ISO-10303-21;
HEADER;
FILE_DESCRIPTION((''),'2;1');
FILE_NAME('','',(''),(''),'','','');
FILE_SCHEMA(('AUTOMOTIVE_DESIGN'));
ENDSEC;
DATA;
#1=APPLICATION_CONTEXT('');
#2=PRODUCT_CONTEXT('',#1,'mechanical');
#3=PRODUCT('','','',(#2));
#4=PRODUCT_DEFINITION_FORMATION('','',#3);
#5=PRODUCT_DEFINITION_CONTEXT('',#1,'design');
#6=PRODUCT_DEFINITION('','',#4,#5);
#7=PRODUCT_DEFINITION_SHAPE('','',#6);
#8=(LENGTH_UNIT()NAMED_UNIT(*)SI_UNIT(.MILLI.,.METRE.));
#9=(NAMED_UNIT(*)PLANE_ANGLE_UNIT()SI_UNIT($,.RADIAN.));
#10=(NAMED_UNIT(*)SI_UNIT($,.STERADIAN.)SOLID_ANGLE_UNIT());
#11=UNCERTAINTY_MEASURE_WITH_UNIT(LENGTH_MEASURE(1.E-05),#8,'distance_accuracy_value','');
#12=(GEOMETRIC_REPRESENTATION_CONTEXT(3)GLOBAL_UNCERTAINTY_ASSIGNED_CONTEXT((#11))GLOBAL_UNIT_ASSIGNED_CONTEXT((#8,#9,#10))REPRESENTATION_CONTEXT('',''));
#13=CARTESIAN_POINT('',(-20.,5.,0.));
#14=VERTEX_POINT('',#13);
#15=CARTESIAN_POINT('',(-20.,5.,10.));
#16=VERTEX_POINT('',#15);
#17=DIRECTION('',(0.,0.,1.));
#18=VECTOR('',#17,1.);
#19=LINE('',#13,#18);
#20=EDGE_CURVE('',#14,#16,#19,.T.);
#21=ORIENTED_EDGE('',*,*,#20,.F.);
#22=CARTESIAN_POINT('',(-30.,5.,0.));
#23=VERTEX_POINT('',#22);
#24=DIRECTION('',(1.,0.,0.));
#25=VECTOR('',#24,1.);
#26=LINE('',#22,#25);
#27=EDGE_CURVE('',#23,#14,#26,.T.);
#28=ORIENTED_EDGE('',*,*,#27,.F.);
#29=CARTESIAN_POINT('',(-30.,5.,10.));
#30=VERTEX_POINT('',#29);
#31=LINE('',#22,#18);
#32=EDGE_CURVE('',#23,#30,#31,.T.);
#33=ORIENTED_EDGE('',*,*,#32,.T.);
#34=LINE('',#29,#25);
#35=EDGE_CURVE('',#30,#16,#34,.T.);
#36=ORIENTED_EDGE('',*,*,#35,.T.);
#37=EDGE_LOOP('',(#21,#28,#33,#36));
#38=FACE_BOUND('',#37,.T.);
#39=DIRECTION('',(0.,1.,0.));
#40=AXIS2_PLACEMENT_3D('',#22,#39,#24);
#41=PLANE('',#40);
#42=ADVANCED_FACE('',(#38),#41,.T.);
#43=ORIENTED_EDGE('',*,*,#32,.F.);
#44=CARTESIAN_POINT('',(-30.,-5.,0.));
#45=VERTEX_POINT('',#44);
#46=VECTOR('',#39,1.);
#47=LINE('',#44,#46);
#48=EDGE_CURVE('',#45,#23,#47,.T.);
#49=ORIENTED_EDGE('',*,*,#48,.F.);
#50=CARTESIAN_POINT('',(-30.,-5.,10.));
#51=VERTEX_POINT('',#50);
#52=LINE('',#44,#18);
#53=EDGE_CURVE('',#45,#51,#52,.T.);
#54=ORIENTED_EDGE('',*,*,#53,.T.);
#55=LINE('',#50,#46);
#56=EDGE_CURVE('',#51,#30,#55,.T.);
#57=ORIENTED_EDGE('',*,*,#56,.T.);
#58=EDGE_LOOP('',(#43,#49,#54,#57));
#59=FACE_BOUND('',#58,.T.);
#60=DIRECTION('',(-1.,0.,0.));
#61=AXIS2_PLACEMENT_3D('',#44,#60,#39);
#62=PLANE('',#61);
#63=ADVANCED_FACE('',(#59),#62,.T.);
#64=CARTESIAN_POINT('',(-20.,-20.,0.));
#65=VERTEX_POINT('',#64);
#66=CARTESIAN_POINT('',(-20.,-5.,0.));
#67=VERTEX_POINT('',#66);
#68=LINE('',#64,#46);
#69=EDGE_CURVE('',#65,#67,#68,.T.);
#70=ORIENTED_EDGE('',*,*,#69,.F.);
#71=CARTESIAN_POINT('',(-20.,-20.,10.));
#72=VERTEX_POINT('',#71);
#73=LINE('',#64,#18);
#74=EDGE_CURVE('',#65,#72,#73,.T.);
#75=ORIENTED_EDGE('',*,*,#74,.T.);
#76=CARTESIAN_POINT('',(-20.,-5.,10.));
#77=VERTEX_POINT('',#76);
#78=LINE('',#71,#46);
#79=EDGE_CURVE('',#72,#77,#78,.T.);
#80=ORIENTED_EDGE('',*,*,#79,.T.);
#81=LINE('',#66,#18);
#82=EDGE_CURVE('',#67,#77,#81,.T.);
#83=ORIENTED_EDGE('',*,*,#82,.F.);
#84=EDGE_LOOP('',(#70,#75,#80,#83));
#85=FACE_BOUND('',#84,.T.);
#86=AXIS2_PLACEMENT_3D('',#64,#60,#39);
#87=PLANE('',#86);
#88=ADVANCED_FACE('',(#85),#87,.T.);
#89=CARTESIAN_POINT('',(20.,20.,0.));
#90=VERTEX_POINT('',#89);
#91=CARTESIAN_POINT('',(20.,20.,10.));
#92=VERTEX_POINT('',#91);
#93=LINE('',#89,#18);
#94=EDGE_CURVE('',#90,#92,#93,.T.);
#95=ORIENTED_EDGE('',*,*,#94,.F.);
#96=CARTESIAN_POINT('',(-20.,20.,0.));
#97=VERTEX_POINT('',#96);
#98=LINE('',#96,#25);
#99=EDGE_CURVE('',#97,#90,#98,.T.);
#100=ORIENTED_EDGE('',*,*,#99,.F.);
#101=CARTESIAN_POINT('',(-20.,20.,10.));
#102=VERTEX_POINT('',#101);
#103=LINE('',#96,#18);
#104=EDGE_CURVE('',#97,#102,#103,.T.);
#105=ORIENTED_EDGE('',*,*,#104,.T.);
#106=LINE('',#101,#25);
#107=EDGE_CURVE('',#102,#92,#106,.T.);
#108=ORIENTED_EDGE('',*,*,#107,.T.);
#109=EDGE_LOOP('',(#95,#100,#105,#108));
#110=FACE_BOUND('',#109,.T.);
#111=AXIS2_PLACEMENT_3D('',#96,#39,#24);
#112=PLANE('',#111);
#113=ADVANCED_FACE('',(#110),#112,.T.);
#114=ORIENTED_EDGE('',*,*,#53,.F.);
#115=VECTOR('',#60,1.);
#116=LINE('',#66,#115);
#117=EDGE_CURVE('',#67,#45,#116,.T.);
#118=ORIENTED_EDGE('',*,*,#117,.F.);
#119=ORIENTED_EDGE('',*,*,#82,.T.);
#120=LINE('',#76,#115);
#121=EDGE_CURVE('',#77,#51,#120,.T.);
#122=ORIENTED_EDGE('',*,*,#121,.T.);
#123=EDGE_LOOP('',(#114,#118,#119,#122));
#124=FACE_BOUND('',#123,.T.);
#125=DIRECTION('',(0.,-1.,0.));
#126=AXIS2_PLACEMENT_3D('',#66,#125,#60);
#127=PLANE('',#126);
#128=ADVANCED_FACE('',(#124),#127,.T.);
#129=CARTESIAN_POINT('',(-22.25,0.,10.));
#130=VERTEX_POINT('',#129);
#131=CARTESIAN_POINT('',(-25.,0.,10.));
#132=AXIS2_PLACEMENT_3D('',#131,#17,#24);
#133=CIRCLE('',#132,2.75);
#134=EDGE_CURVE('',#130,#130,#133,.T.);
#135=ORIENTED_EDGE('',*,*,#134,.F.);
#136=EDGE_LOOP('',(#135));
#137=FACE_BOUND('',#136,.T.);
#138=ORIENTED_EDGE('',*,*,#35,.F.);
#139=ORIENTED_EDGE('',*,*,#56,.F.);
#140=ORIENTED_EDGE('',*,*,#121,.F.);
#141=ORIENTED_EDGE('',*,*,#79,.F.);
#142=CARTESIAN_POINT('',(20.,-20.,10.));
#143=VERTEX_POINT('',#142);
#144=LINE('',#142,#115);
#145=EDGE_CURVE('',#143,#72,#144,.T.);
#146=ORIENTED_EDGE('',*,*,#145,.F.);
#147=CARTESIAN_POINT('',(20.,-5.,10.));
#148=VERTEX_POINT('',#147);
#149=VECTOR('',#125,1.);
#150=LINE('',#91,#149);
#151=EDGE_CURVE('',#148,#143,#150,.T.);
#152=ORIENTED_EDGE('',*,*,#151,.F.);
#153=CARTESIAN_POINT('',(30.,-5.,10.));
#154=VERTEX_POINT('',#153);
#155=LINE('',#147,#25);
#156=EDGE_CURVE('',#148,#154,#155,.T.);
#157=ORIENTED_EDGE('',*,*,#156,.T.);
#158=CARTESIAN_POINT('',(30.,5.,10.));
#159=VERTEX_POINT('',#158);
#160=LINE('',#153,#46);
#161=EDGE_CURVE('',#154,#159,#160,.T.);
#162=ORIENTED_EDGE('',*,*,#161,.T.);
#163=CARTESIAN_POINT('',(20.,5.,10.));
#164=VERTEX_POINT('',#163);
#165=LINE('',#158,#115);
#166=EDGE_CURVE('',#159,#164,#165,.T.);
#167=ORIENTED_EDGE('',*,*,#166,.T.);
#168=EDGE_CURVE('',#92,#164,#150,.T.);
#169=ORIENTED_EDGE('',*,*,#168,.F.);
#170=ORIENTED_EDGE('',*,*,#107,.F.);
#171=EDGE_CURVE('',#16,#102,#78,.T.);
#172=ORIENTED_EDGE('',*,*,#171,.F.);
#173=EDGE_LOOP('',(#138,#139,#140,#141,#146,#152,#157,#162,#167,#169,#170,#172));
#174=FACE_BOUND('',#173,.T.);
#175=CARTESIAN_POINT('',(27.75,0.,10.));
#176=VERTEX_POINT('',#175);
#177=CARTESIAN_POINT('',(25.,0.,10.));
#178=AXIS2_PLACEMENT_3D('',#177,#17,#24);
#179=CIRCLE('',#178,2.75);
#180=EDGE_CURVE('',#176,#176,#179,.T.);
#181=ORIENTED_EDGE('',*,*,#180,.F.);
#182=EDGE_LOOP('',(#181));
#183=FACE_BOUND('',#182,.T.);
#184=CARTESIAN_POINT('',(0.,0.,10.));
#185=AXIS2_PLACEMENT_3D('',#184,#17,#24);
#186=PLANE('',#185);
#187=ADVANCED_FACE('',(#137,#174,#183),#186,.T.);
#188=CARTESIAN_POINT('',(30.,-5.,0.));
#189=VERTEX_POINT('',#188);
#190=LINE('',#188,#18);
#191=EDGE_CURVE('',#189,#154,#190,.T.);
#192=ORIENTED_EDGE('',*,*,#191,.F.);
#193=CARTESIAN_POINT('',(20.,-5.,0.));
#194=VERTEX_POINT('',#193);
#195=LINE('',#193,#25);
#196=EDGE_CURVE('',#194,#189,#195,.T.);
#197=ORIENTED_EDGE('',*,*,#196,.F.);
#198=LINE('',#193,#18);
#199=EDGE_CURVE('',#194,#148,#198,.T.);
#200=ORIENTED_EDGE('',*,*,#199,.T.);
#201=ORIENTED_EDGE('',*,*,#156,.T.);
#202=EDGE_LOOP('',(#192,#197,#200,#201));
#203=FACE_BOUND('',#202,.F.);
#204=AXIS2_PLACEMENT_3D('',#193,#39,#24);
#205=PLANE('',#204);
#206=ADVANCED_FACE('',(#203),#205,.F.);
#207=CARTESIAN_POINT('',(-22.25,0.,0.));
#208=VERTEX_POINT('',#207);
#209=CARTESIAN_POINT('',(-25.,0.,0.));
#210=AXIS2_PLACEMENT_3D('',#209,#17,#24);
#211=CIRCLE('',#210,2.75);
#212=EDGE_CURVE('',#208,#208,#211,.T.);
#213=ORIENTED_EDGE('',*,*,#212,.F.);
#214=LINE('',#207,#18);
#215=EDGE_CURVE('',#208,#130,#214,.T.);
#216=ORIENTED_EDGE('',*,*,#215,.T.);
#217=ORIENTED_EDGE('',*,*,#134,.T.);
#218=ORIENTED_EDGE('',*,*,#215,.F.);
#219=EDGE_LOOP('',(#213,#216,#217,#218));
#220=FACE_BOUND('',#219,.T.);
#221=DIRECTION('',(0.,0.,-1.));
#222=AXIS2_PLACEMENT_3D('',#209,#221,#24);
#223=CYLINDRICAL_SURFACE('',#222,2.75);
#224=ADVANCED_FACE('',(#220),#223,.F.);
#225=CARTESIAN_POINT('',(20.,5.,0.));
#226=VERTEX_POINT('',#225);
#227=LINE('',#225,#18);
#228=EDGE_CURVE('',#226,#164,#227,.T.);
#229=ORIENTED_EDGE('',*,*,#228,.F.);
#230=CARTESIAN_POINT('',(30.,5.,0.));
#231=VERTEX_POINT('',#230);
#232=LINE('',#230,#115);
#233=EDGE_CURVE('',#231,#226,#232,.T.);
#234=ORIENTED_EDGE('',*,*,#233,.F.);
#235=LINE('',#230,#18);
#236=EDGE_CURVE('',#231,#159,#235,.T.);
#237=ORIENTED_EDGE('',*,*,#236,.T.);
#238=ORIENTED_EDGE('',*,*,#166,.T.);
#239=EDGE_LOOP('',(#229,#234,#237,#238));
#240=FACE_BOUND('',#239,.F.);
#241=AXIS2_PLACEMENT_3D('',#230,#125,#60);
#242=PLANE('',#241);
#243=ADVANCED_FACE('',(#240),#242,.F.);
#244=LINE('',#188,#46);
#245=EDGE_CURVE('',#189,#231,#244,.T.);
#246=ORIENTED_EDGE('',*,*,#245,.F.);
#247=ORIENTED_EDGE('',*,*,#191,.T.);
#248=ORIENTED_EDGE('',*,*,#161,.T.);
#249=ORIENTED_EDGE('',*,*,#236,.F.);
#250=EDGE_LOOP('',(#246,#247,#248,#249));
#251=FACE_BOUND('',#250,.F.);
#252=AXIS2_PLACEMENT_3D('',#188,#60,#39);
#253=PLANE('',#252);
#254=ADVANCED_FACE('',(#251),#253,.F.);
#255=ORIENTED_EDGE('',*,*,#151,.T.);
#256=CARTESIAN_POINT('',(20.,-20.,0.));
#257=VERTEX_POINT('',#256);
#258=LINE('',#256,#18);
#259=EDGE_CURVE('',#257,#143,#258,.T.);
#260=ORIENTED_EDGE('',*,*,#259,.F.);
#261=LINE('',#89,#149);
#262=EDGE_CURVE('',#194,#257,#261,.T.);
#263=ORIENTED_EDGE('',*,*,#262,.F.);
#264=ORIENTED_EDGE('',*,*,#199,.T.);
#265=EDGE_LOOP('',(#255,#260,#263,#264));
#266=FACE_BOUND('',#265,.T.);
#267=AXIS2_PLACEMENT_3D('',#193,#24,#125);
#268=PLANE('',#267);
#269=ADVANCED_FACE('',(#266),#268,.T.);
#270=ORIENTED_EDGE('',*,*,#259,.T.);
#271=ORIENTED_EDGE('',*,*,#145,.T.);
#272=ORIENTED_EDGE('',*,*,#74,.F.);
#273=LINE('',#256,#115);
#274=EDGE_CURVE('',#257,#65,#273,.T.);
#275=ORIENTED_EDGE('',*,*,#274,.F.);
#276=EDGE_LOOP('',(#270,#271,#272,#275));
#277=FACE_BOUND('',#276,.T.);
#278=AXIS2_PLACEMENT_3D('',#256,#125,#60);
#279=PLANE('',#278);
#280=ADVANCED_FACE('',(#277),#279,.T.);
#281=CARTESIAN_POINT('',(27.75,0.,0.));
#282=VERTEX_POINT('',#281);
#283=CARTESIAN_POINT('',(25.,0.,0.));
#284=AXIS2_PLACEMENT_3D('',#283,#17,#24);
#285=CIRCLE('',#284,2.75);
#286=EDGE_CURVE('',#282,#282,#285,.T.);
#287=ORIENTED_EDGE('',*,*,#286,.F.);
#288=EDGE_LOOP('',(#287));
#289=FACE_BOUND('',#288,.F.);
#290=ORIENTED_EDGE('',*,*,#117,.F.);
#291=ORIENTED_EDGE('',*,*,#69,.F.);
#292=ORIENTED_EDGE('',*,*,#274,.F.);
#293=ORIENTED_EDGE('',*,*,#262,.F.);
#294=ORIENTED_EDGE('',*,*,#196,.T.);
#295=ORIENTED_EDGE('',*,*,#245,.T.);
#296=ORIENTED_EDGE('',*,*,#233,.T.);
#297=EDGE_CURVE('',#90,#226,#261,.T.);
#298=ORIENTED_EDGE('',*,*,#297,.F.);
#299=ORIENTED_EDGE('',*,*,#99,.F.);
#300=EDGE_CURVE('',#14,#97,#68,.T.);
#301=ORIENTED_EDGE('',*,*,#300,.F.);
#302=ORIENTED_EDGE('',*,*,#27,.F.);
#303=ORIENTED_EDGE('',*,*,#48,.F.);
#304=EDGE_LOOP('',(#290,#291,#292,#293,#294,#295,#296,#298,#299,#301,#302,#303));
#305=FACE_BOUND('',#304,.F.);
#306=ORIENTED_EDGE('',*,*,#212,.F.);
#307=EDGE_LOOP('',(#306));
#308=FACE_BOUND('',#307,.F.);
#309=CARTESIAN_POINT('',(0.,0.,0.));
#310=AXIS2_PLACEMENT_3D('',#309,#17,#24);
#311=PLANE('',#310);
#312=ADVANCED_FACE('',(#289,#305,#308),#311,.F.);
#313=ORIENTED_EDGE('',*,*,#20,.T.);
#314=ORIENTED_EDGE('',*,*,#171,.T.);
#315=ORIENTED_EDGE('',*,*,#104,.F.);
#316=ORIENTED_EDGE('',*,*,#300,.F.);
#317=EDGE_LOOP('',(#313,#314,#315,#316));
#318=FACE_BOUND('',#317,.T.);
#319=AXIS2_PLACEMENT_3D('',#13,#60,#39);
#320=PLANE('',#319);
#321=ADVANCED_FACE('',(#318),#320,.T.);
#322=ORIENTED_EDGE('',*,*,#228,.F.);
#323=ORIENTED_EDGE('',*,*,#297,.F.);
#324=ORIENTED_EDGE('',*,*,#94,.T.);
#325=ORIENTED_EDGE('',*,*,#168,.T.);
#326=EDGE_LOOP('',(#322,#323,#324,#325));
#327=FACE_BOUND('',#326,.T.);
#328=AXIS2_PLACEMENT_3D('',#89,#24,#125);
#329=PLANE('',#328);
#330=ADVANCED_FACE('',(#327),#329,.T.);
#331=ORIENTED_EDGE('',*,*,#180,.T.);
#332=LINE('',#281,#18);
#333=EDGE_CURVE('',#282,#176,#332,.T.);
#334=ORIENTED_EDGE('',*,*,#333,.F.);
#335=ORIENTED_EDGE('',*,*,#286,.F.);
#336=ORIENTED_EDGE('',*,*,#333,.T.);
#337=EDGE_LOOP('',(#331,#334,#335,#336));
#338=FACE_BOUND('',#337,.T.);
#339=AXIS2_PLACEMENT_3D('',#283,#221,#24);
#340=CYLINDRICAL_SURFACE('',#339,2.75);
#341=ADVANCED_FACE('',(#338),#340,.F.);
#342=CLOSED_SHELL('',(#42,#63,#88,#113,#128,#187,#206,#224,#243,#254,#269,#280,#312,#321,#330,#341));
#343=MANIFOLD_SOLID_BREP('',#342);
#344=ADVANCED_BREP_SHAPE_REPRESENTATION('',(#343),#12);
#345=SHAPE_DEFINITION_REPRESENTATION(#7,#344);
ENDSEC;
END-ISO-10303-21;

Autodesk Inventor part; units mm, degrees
ref_plane "YZ Plane" through (0, 0, 0) normal (1, 0, 0) x (0, 1, 0)
ref_plane "XZ Plane" through (0, 0, 0) normal (0, 1, 0) x (-1, 0, 0)
ref_plane "XY Plane" through (0, 0, 0) normal (0, 0, 1) x (1, 0, 0)
sketch "Sketch1" plane through (0, 0, 0) normal (0, 0, 1) x (1, 0, 0)
  line L0 (-20, 20) -> (20, 20)
  line L1 (20, 20) -> (20, -20)
  line L2 (20, -20) -> (-20, -20)
  line L3 (-20, -20) -> (-20, 20)
  line L4 (-20, 20) -> (20, -20) construction
  line L5 (20, 20) -> (-20, -20) construction
  line L6 (20, -5) -> (30, -5)
  line L7 (30, -5) -> (30, 5)
  line L8 (30, 5) -> (20, 5)
  line L9 (20, 5) -> (20, -5)
  line L10 (-20, -5) -> (-30, -5)
  line L11 (-30, -5) -> (-30, 5)
  line L12 (-30, 5) -> (-20, 5)
  line L13 (-20, 5) -> (-20, -5)
  circle A0 centre (-25, 0) radius 2.75
  circle A1 centre (25, 0) radius 2.75
  point P0 (0, 0)
  point P1 (30, 0)
  point P2 (20, 0)
  point P3 (-25, 5)
  point P4 (25, 5)
  dimension "d0" = 40
  dimension "d1" = 40
  dimension "d2" = 10
  dimension "d3" = 10
  dimension "d4" = 10
  dimension "d5" = 5.5
  dimension "d6" = 5.5
extrude "Extrusion1" add sketch "Sketch1" along normal blind 10
properties part number "cap5V"
